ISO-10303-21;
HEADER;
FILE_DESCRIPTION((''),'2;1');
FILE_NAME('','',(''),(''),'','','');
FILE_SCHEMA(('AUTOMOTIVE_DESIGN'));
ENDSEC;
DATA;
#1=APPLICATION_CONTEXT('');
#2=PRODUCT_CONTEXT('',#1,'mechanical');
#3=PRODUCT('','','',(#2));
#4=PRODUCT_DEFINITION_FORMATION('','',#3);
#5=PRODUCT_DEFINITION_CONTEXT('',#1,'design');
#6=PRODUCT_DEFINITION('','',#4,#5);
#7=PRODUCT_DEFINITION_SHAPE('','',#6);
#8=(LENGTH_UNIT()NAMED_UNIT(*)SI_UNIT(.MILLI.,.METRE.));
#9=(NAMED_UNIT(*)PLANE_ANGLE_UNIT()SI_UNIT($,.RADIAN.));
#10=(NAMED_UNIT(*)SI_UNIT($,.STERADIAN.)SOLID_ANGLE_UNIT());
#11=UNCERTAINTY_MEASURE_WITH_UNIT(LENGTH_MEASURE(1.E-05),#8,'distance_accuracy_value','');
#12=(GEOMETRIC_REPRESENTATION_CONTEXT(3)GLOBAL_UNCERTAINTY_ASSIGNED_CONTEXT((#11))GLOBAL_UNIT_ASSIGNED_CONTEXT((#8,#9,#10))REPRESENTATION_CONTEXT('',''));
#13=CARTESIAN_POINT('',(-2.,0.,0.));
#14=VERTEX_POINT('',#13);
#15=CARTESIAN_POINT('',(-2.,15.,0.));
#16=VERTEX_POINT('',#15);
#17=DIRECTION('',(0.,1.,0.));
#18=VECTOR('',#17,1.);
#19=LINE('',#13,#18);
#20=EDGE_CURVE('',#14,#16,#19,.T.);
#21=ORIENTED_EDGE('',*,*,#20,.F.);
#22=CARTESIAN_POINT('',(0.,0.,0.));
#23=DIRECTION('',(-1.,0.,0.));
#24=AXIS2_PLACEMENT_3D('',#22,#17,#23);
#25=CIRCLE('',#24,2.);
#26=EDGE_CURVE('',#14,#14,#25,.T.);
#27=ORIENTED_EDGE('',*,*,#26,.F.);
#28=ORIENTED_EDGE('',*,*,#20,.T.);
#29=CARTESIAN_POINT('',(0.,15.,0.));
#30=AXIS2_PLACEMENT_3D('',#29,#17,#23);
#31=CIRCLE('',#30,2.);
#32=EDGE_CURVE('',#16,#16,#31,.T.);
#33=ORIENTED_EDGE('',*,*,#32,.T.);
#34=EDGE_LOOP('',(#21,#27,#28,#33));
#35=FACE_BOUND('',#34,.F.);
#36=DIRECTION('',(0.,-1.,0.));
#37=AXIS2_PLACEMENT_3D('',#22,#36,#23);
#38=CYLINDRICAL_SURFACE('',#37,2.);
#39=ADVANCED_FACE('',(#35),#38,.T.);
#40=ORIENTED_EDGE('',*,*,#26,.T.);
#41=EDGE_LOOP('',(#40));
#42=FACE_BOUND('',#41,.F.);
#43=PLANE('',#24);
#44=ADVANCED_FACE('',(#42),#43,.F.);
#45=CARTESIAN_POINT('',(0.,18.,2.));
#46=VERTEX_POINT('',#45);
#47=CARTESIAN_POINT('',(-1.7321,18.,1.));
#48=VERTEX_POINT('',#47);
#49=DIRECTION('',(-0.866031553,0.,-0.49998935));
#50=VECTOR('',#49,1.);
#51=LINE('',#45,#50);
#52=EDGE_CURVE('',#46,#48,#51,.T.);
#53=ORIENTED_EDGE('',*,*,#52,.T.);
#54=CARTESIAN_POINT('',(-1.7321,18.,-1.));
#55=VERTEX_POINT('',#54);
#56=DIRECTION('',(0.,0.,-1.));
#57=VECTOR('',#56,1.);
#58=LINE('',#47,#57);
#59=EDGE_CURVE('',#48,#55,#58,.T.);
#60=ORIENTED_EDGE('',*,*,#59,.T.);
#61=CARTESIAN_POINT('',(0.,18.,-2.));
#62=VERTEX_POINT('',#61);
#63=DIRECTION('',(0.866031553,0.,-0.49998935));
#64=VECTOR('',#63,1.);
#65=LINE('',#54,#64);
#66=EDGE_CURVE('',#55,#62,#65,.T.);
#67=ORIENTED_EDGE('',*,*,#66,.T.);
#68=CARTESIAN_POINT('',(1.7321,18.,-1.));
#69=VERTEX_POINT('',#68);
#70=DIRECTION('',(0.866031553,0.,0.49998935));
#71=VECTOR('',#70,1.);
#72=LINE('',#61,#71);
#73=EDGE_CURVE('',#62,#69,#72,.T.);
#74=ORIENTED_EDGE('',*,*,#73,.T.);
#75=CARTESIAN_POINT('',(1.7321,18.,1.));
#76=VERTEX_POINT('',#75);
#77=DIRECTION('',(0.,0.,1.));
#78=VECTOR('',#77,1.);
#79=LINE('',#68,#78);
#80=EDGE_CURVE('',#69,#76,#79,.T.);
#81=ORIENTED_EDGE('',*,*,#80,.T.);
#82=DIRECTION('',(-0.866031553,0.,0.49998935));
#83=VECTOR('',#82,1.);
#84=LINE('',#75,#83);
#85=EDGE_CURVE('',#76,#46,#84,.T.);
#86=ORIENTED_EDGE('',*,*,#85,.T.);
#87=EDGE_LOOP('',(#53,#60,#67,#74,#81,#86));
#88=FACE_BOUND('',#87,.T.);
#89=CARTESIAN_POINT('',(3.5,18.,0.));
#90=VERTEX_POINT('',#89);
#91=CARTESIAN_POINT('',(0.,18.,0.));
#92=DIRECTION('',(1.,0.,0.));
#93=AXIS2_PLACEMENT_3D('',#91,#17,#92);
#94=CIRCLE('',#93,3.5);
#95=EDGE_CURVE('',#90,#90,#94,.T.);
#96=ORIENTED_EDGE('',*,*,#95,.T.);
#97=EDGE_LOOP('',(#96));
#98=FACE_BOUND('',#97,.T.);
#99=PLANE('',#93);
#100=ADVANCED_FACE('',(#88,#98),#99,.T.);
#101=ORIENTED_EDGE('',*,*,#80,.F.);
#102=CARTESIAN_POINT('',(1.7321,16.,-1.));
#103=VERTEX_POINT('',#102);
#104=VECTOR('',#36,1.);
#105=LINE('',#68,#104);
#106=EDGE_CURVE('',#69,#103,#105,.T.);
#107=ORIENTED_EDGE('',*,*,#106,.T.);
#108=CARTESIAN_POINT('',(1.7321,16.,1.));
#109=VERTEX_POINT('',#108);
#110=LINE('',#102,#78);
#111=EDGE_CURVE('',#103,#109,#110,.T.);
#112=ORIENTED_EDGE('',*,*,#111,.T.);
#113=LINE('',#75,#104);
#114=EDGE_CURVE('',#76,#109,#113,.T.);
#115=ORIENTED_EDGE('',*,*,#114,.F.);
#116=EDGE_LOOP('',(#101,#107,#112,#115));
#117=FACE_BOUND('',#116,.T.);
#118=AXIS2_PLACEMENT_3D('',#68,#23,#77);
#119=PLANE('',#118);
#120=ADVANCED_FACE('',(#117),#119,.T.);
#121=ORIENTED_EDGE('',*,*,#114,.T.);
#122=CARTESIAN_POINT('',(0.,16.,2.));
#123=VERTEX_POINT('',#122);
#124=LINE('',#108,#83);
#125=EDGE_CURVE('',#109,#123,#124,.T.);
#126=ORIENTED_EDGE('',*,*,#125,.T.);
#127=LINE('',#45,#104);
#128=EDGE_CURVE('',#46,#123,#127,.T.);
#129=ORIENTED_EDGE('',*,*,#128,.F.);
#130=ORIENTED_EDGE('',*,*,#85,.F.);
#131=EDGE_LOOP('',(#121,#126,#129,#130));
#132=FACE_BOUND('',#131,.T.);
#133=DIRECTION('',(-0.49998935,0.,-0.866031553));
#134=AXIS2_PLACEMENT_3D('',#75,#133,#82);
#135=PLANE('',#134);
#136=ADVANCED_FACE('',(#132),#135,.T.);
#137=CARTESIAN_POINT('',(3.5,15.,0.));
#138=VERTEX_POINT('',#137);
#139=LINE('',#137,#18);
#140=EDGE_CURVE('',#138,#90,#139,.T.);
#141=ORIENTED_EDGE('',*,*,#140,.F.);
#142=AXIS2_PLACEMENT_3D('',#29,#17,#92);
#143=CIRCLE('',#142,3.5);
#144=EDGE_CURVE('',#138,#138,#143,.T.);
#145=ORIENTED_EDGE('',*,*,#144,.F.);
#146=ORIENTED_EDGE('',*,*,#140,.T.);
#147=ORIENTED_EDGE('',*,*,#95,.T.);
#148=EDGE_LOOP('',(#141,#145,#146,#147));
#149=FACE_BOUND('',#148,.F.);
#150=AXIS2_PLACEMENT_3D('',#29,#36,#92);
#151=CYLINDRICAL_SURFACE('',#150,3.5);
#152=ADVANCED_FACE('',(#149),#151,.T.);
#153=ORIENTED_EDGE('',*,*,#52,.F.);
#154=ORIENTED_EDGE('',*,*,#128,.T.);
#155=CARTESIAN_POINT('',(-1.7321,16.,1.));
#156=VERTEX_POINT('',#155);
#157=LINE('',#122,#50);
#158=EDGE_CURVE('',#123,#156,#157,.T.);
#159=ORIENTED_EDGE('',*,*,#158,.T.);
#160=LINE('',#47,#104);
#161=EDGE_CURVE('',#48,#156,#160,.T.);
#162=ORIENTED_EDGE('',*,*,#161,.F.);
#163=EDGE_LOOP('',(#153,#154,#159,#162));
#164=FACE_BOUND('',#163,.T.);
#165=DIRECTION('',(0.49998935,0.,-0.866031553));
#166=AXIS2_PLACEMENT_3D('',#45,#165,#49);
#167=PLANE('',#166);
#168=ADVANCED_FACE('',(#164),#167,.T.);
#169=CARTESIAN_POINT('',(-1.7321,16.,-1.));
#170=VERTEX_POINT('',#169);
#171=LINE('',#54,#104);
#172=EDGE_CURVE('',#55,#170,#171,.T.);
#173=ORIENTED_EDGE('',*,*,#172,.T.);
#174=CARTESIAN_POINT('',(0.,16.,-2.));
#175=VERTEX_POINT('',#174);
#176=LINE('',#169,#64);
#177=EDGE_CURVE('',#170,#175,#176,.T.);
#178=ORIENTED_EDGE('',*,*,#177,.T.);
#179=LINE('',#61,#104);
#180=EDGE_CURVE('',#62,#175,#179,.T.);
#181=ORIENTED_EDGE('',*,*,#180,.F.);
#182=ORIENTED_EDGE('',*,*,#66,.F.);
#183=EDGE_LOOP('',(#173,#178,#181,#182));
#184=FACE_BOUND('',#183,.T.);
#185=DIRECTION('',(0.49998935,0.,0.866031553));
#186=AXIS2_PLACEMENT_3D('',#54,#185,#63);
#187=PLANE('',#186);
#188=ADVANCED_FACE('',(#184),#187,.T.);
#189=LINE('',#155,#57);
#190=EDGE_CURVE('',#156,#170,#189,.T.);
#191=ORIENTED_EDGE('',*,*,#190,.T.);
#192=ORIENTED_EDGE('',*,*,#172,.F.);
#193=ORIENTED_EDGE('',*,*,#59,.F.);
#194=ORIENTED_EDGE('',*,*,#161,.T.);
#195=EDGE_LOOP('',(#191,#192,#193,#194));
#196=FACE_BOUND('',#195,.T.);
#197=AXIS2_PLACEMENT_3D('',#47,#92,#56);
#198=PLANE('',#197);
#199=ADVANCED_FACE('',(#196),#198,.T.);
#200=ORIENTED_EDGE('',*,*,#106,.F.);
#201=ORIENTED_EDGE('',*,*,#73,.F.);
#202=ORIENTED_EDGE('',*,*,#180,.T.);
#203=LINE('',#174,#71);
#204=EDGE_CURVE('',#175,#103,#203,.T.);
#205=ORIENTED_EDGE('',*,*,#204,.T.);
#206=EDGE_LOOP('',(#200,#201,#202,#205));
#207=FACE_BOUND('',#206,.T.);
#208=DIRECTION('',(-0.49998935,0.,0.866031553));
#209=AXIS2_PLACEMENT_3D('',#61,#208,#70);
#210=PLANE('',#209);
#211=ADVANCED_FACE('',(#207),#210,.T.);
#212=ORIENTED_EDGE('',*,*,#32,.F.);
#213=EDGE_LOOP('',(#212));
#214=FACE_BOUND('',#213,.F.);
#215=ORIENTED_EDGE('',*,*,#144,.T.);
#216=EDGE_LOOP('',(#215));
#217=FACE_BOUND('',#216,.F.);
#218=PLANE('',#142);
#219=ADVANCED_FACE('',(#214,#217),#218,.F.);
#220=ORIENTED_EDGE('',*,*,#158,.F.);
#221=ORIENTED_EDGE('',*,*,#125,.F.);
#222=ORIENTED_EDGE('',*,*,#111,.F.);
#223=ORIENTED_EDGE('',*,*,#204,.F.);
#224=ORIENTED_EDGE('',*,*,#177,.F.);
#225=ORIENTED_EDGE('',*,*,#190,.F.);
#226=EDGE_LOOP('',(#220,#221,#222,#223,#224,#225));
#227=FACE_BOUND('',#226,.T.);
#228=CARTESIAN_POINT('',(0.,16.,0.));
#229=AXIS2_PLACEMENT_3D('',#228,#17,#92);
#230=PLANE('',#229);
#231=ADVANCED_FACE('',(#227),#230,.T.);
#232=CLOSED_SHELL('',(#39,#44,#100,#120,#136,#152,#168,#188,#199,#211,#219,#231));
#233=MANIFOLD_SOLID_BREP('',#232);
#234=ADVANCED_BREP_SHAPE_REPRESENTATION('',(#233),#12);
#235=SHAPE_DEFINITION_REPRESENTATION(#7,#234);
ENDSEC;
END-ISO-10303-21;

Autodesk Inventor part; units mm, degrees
ref_plane "YZ Plane" through (0, 0, 0) normal (1, 0, 0) x (0, 1, 0)
ref_plane "XZ Plane" through (0, 0, 0) normal (0, 1, 0) x (-1, 0, 0)
ref_plane "XY Plane" through (0, 0, 0) normal (0, 0, 1) x (1, 0, 0)
sketch "草圖1" plane through (0, 0, 0) normal (0, 1, 0) x (-1, 0, 0)
  circle A0 centre (0, 0) radius 2
  dimension "d0" = 4
extrude "擠出1" add sketch "草圖1" along normal blind 15
sketch "草圖2" plane through (0, 15, 0) normal (0, 1, 0) x (1, 0, 0)
  circle A0 centre (0, 0) radius 3.5
  dimension "d3" = 7
extrude "擠出2" add sketch "草圖2" along normal blind 3
sketch "草圖3" plane through (0, 18, 0) normal (0, 1, 0) x (1, 0, 0)
  circle A0 centre (0, 0) radius 2 projected
  line L0 (0, 2) -> (1.7321, 1)
  line L1 (1.7321, 1) -> (1.7321, -1)
  line L2 (1.7321, -1) -> (0, -2)
  line L3 (0, -2) -> (-1.7321, -1)
  line L4 (-1.7321, -1) -> (-1.7321, 1)
  line L5 (-1.7321, 1) -> (0, 2)
extrude "擠出3" cut sketch "草圖3" against normal blind 2 contours L1 L2 L3 L4 L5 L0
thread "螺紋1" size "M4x0.7" class "6g" standard "ANSI Metric M Profile" full length
properties part number "M4set_screw"
